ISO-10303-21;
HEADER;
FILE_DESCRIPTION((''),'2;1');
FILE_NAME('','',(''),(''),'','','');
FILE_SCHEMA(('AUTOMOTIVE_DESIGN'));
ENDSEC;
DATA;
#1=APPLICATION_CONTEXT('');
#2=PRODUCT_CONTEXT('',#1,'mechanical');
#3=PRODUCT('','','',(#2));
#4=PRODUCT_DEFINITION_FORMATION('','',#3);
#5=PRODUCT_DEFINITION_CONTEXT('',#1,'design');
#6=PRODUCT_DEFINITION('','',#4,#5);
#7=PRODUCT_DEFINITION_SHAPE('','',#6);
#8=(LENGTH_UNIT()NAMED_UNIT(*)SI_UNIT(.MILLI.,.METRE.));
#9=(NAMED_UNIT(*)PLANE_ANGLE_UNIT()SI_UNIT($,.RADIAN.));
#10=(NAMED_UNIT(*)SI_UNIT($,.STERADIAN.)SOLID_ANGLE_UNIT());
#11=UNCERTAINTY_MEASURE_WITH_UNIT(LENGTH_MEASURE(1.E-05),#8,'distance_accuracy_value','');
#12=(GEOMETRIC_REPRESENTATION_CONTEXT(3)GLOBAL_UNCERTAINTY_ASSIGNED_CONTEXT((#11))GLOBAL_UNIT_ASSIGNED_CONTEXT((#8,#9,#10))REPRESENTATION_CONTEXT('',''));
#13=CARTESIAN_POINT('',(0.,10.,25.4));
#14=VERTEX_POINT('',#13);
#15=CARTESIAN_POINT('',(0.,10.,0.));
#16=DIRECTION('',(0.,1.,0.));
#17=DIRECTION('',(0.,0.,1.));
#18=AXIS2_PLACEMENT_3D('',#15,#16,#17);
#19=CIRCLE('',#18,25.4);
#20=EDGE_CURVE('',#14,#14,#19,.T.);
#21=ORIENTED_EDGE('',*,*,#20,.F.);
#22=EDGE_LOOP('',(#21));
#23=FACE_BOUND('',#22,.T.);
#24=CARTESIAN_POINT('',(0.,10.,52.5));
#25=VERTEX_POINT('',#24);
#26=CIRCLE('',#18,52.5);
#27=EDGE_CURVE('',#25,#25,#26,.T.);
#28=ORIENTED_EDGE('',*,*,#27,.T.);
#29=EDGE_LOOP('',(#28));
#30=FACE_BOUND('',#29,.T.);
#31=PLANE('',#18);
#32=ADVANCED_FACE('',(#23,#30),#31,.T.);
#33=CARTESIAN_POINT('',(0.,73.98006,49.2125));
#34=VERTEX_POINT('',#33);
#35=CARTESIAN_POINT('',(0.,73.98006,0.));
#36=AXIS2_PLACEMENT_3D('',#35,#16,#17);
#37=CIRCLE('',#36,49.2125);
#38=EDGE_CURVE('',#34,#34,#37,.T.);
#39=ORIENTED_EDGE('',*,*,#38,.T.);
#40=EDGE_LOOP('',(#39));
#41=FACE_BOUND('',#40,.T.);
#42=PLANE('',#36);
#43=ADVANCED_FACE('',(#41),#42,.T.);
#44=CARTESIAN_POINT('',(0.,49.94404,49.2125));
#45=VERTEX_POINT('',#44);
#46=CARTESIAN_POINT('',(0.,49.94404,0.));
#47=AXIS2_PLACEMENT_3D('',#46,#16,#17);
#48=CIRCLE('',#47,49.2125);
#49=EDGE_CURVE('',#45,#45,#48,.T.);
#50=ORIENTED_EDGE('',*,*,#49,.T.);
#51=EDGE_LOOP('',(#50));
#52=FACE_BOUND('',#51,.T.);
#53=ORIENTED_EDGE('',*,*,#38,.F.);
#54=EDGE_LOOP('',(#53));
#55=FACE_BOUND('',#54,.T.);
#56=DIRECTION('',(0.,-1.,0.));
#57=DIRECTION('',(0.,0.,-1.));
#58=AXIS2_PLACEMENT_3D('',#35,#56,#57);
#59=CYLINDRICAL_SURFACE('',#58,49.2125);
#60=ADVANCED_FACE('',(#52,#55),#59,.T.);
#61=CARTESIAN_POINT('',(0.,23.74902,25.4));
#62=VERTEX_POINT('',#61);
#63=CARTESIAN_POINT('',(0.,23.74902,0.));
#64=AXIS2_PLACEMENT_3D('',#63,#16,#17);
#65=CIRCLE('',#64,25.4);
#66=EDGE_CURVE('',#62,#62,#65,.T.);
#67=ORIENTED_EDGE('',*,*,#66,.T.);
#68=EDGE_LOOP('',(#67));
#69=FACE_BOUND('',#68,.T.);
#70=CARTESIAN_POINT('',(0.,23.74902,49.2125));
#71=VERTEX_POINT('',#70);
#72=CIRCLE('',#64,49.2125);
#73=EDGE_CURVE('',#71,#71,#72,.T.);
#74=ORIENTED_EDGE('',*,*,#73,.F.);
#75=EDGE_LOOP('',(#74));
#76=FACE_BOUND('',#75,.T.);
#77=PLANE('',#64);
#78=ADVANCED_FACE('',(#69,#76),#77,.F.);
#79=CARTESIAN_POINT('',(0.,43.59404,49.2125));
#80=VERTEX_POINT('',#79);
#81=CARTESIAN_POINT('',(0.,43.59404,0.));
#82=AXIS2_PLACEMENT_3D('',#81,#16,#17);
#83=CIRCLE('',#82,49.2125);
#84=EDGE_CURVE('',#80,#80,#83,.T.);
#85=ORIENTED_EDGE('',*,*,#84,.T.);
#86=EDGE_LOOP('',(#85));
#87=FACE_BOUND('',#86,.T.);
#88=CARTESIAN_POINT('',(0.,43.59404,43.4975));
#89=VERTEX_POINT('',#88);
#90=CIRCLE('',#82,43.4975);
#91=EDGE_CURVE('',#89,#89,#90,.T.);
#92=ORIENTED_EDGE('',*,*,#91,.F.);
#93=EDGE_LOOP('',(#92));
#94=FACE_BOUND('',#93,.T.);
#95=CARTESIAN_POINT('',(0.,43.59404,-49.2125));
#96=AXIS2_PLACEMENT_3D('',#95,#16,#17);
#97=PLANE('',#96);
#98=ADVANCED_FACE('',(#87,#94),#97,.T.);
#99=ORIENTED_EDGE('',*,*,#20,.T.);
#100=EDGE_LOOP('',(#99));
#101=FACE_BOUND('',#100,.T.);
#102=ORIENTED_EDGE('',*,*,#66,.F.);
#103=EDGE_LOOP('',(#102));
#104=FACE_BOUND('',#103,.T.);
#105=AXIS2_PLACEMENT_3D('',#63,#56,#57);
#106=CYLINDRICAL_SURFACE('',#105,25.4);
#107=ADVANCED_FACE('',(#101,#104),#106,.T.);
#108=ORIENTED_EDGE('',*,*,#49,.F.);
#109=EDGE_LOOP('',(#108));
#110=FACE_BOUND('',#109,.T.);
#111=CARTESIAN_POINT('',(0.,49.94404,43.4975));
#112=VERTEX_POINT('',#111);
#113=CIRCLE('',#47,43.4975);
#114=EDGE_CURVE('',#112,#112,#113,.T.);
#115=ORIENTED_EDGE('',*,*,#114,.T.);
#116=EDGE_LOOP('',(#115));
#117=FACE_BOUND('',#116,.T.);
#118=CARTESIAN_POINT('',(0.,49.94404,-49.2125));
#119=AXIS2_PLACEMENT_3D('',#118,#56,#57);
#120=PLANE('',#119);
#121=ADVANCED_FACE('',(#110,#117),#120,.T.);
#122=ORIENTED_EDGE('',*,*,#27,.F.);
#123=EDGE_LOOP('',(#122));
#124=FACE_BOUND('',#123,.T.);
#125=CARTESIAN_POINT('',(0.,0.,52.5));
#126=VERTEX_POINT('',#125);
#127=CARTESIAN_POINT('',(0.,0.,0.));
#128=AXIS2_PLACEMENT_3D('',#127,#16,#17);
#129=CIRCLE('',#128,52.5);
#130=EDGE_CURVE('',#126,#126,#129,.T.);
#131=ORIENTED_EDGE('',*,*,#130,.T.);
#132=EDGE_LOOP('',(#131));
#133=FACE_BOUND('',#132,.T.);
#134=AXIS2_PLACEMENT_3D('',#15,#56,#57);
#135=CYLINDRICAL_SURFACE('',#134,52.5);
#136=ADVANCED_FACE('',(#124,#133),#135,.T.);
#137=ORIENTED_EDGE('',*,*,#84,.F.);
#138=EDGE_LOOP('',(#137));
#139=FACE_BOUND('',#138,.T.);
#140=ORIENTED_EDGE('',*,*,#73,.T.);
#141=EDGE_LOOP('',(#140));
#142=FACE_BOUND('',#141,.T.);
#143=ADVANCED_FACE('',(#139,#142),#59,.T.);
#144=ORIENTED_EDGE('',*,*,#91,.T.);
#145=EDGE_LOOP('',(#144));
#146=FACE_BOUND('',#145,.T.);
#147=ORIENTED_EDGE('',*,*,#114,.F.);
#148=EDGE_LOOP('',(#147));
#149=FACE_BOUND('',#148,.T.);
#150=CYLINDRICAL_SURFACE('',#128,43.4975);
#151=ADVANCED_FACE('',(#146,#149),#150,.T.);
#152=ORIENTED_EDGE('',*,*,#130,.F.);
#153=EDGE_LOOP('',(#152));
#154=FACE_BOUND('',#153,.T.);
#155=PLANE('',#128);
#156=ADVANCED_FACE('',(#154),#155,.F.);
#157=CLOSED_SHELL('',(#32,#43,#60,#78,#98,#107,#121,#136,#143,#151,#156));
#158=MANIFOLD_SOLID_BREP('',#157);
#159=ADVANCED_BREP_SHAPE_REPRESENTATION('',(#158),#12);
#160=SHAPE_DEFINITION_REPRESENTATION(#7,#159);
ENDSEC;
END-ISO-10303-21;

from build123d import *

# Parameters (mm, degrees)
MOUNTING_PLATE_SKETCH_R = 52.500000029
MOUNT_PLATE_DEPTH       = 10
SKETCH7_R               = 25.4
BOSS_EXTRUDE5_DEPTH     = 13.74902
SKETCH12_R              = 49.2125
BOSS_EXTRUDE6_DEPTH     = 50.23104
SKETCH15_W              = 5.715
SKETCH15_H              = 6.35


with BuildPart() as part:
    # Mounting Plate SKETCH → Mount Plate (new body)
    with BuildSketch(Plane(origin=(0, 0, 0), x_dir=(1, 0, 0), z_dir=(0, 1, 0))):
        with Locations(Location((0, 0, 0), (0, 0, 270))):
            Circle(MOUNTING_PLATE_SKETCH_R)
    extrude(amount=MOUNT_PLATE_DEPTH)

    # Sketch7 → Boss-Extrude5 (add)
    with BuildSketch(Plane(origin=(0, 10, 0), x_dir=(1, 0, 0), z_dir=(0, 1, 0))):
        with Locations(Location((0, 0, 0), (0, 0, 270))):
            Circle(SKETCH7_R)
    extrude(amount=BOSS_EXTRUDE5_DEPTH)

    # Sketch12 → Boss-Extrude6 (add)
    with BuildSketch(Plane(origin=(0, 23.74902, 0), x_dir=(1, 0, 0), z_dir=(0, 1, 0))):
        with Locations(Location((0, 0, 0), (0, 0, 270))):
            Circle(SKETCH12_R)
    extrude(amount=BOSS_EXTRUDE6_DEPTH)

    # Sketch15 → Cut-Revolve3 (revolve, cut)
    with BuildSketch(Plane(origin=(0, 0, 0), x_dir=(0, 0, -1), z_dir=(1, 0, 0)), mode=Mode.PRIVATE) as cut_revolve3_sk:
        with Locations((46.355, 46.76904)):
            Rectangle(SKETCH15_W, SKETCH15_H)
    revolve(cut_revolve3_sk.sketch.rotate(Axis((0, 0, 0), (0, -1, 0)), 180), axis=Axis((0, 0, 0), (0, -1, 0)), mode=Mode.SUBTRACT)


solid = part.part
